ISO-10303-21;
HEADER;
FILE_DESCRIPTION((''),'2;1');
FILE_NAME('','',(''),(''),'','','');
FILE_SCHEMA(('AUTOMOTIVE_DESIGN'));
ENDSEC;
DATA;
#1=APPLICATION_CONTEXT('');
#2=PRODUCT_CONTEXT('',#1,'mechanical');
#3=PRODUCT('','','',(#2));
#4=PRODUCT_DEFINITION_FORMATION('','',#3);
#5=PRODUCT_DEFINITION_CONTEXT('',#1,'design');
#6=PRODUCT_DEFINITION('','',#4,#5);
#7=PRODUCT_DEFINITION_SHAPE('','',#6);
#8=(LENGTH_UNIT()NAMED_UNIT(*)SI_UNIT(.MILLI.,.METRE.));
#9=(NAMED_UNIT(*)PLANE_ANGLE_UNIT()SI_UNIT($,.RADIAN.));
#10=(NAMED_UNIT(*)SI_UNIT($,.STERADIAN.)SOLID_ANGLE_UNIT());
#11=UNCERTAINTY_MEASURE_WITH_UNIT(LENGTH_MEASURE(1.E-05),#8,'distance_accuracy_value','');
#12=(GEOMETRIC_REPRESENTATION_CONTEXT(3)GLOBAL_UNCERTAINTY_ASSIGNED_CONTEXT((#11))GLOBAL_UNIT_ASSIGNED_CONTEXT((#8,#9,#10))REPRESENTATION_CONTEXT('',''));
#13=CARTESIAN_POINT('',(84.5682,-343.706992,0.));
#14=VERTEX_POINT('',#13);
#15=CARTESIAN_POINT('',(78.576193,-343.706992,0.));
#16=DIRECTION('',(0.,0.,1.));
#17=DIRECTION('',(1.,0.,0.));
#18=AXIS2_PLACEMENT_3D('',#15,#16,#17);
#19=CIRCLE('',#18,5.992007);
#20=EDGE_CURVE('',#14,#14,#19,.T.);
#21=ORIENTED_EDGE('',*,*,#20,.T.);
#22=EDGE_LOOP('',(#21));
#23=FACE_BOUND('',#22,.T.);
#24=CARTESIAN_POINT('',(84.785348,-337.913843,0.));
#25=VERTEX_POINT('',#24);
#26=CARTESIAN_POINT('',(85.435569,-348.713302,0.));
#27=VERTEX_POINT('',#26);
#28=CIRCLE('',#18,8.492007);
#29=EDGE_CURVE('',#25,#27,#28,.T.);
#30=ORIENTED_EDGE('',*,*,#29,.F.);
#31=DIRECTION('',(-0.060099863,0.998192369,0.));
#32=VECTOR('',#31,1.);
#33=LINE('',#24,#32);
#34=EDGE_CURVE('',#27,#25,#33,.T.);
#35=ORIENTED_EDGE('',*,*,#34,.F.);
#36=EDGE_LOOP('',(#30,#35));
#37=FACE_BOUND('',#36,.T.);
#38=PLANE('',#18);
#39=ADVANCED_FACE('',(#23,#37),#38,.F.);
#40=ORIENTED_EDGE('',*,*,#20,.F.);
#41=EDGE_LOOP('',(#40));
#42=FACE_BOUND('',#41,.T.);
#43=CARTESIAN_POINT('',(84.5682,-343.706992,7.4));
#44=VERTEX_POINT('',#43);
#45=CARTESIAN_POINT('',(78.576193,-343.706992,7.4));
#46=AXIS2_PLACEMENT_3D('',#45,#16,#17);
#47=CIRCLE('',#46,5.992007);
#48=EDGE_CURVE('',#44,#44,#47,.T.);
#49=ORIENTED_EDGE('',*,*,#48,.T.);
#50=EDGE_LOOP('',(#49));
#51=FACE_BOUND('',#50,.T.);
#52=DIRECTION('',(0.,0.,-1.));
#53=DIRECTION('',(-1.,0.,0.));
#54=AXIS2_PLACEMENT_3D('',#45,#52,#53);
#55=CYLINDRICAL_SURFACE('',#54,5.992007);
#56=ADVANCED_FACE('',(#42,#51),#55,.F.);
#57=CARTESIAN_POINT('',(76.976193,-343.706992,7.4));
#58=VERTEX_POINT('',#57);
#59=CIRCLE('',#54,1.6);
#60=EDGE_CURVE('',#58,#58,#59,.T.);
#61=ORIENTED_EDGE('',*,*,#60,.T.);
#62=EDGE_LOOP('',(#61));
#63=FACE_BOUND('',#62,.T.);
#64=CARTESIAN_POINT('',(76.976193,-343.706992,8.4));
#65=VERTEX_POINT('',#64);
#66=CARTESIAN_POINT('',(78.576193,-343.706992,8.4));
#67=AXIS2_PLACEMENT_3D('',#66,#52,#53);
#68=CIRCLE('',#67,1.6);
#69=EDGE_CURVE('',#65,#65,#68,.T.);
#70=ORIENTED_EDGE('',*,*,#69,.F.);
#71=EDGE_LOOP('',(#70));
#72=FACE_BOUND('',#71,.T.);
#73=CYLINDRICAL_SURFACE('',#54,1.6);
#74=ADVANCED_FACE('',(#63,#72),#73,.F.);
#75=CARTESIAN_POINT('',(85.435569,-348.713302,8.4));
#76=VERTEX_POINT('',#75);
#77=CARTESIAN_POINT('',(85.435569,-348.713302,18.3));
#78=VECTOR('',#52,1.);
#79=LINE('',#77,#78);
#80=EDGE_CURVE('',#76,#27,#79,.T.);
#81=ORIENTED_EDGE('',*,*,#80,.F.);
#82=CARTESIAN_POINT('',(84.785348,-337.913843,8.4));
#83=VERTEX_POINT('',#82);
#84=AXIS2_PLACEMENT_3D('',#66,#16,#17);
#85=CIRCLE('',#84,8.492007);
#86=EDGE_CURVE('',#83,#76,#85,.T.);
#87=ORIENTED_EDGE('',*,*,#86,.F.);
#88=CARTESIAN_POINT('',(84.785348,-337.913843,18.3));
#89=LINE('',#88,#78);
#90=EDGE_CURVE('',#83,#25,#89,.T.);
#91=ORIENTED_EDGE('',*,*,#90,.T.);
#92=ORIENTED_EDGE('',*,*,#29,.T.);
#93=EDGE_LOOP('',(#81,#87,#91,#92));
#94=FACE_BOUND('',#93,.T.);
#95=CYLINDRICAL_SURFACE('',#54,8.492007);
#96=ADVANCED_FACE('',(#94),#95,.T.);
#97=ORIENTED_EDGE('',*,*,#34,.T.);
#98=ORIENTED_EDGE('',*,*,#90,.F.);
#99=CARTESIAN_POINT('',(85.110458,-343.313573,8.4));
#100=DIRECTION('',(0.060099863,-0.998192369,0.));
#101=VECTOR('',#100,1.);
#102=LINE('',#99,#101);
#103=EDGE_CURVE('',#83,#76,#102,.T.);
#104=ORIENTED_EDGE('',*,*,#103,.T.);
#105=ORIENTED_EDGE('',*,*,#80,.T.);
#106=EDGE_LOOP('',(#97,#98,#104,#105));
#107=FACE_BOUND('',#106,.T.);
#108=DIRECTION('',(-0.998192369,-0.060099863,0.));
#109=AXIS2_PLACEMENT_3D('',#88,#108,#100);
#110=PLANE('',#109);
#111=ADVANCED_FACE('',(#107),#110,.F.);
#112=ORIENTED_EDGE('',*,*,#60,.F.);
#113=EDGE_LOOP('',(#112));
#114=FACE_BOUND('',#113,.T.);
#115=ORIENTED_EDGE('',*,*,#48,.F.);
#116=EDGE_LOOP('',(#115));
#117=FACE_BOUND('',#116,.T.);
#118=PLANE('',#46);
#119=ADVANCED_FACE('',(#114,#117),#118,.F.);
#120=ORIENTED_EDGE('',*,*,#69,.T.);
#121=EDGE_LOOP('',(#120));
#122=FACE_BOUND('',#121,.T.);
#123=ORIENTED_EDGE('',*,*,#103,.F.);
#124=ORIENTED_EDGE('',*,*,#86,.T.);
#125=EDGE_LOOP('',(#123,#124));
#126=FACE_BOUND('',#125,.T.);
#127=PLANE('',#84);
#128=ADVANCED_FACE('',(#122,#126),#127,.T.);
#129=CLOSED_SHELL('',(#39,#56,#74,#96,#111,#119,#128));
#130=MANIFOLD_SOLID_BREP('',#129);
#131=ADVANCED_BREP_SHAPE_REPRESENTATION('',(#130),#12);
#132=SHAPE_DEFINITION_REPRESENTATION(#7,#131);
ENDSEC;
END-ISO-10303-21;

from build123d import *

# Parameters (mm, degrees)
SKETCH1_R            = 8.492006583
SKETCH1_R_2          = 5.992006583
BOSS_EXTRUDE1_DEPTH  = 7.4
SKETCH2_R            = 8.492006583
BOSS_EXTRUDE2_DEPTH  = 1
CUT_EXTRUDE1_DEPTH   = 18.3
M3_CLEARANCE_HOLE1_D = 3.2


with BuildPart() as part:
    # Sketch1 → Boss-Extrude1 (new body)
    with BuildSketch(Plane.XY):
        with Locations((78.5761931, -343.7069923)):
            Circle(SKETCH1_R)
        with Locations((78.5761931, -343.7069923)):
            Circle(SKETCH1_R_2, mode=Mode.SUBTRACT)
    extrude(amount=BOSS_EXTRUDE1_DEPTH)

    # Sketch2 → Boss-Extrude2 (add)
    with BuildSketch(Plane.XY.offset(7.4)):
        with Locations((78.5761931, -343.7069923)):
            Circle(SKETCH2_R)
    extrude(amount=BOSS_EXTRUDE2_DEPTH)

    # Sketch3 → Cut-Extrude1 (cut)
    with BuildSketch(Plane(origin=(0, 0, 0), x_dir=(-1, 0, 0), z_dir=(0, 0, -1))):
        with BuildLine():
            Line((-84.785347699, -337.913843331), (-85.435569051, -348.713302055))
            ThreePointArc((-85.435569051, -348.713302055), (-87.052849272, -343.196623866), (-84.785347699, -337.913843331))
        make_face()
    extrude(amount=-CUT_EXTRUDE1_DEPTH, mode=Mode.SUBTRACT)

    # M3 Clearance Hole1 (through all)
    with Locations(Plane(origin=(0, 0, 7.4), x_dir=(-1, 0, 0), z_dir=(0, 0, -1))):
        with Locations((-78.5761931, -343.7069923)):
            Hole(M3_CLEARANCE_HOLE1_D / 2)


solid = part.part
